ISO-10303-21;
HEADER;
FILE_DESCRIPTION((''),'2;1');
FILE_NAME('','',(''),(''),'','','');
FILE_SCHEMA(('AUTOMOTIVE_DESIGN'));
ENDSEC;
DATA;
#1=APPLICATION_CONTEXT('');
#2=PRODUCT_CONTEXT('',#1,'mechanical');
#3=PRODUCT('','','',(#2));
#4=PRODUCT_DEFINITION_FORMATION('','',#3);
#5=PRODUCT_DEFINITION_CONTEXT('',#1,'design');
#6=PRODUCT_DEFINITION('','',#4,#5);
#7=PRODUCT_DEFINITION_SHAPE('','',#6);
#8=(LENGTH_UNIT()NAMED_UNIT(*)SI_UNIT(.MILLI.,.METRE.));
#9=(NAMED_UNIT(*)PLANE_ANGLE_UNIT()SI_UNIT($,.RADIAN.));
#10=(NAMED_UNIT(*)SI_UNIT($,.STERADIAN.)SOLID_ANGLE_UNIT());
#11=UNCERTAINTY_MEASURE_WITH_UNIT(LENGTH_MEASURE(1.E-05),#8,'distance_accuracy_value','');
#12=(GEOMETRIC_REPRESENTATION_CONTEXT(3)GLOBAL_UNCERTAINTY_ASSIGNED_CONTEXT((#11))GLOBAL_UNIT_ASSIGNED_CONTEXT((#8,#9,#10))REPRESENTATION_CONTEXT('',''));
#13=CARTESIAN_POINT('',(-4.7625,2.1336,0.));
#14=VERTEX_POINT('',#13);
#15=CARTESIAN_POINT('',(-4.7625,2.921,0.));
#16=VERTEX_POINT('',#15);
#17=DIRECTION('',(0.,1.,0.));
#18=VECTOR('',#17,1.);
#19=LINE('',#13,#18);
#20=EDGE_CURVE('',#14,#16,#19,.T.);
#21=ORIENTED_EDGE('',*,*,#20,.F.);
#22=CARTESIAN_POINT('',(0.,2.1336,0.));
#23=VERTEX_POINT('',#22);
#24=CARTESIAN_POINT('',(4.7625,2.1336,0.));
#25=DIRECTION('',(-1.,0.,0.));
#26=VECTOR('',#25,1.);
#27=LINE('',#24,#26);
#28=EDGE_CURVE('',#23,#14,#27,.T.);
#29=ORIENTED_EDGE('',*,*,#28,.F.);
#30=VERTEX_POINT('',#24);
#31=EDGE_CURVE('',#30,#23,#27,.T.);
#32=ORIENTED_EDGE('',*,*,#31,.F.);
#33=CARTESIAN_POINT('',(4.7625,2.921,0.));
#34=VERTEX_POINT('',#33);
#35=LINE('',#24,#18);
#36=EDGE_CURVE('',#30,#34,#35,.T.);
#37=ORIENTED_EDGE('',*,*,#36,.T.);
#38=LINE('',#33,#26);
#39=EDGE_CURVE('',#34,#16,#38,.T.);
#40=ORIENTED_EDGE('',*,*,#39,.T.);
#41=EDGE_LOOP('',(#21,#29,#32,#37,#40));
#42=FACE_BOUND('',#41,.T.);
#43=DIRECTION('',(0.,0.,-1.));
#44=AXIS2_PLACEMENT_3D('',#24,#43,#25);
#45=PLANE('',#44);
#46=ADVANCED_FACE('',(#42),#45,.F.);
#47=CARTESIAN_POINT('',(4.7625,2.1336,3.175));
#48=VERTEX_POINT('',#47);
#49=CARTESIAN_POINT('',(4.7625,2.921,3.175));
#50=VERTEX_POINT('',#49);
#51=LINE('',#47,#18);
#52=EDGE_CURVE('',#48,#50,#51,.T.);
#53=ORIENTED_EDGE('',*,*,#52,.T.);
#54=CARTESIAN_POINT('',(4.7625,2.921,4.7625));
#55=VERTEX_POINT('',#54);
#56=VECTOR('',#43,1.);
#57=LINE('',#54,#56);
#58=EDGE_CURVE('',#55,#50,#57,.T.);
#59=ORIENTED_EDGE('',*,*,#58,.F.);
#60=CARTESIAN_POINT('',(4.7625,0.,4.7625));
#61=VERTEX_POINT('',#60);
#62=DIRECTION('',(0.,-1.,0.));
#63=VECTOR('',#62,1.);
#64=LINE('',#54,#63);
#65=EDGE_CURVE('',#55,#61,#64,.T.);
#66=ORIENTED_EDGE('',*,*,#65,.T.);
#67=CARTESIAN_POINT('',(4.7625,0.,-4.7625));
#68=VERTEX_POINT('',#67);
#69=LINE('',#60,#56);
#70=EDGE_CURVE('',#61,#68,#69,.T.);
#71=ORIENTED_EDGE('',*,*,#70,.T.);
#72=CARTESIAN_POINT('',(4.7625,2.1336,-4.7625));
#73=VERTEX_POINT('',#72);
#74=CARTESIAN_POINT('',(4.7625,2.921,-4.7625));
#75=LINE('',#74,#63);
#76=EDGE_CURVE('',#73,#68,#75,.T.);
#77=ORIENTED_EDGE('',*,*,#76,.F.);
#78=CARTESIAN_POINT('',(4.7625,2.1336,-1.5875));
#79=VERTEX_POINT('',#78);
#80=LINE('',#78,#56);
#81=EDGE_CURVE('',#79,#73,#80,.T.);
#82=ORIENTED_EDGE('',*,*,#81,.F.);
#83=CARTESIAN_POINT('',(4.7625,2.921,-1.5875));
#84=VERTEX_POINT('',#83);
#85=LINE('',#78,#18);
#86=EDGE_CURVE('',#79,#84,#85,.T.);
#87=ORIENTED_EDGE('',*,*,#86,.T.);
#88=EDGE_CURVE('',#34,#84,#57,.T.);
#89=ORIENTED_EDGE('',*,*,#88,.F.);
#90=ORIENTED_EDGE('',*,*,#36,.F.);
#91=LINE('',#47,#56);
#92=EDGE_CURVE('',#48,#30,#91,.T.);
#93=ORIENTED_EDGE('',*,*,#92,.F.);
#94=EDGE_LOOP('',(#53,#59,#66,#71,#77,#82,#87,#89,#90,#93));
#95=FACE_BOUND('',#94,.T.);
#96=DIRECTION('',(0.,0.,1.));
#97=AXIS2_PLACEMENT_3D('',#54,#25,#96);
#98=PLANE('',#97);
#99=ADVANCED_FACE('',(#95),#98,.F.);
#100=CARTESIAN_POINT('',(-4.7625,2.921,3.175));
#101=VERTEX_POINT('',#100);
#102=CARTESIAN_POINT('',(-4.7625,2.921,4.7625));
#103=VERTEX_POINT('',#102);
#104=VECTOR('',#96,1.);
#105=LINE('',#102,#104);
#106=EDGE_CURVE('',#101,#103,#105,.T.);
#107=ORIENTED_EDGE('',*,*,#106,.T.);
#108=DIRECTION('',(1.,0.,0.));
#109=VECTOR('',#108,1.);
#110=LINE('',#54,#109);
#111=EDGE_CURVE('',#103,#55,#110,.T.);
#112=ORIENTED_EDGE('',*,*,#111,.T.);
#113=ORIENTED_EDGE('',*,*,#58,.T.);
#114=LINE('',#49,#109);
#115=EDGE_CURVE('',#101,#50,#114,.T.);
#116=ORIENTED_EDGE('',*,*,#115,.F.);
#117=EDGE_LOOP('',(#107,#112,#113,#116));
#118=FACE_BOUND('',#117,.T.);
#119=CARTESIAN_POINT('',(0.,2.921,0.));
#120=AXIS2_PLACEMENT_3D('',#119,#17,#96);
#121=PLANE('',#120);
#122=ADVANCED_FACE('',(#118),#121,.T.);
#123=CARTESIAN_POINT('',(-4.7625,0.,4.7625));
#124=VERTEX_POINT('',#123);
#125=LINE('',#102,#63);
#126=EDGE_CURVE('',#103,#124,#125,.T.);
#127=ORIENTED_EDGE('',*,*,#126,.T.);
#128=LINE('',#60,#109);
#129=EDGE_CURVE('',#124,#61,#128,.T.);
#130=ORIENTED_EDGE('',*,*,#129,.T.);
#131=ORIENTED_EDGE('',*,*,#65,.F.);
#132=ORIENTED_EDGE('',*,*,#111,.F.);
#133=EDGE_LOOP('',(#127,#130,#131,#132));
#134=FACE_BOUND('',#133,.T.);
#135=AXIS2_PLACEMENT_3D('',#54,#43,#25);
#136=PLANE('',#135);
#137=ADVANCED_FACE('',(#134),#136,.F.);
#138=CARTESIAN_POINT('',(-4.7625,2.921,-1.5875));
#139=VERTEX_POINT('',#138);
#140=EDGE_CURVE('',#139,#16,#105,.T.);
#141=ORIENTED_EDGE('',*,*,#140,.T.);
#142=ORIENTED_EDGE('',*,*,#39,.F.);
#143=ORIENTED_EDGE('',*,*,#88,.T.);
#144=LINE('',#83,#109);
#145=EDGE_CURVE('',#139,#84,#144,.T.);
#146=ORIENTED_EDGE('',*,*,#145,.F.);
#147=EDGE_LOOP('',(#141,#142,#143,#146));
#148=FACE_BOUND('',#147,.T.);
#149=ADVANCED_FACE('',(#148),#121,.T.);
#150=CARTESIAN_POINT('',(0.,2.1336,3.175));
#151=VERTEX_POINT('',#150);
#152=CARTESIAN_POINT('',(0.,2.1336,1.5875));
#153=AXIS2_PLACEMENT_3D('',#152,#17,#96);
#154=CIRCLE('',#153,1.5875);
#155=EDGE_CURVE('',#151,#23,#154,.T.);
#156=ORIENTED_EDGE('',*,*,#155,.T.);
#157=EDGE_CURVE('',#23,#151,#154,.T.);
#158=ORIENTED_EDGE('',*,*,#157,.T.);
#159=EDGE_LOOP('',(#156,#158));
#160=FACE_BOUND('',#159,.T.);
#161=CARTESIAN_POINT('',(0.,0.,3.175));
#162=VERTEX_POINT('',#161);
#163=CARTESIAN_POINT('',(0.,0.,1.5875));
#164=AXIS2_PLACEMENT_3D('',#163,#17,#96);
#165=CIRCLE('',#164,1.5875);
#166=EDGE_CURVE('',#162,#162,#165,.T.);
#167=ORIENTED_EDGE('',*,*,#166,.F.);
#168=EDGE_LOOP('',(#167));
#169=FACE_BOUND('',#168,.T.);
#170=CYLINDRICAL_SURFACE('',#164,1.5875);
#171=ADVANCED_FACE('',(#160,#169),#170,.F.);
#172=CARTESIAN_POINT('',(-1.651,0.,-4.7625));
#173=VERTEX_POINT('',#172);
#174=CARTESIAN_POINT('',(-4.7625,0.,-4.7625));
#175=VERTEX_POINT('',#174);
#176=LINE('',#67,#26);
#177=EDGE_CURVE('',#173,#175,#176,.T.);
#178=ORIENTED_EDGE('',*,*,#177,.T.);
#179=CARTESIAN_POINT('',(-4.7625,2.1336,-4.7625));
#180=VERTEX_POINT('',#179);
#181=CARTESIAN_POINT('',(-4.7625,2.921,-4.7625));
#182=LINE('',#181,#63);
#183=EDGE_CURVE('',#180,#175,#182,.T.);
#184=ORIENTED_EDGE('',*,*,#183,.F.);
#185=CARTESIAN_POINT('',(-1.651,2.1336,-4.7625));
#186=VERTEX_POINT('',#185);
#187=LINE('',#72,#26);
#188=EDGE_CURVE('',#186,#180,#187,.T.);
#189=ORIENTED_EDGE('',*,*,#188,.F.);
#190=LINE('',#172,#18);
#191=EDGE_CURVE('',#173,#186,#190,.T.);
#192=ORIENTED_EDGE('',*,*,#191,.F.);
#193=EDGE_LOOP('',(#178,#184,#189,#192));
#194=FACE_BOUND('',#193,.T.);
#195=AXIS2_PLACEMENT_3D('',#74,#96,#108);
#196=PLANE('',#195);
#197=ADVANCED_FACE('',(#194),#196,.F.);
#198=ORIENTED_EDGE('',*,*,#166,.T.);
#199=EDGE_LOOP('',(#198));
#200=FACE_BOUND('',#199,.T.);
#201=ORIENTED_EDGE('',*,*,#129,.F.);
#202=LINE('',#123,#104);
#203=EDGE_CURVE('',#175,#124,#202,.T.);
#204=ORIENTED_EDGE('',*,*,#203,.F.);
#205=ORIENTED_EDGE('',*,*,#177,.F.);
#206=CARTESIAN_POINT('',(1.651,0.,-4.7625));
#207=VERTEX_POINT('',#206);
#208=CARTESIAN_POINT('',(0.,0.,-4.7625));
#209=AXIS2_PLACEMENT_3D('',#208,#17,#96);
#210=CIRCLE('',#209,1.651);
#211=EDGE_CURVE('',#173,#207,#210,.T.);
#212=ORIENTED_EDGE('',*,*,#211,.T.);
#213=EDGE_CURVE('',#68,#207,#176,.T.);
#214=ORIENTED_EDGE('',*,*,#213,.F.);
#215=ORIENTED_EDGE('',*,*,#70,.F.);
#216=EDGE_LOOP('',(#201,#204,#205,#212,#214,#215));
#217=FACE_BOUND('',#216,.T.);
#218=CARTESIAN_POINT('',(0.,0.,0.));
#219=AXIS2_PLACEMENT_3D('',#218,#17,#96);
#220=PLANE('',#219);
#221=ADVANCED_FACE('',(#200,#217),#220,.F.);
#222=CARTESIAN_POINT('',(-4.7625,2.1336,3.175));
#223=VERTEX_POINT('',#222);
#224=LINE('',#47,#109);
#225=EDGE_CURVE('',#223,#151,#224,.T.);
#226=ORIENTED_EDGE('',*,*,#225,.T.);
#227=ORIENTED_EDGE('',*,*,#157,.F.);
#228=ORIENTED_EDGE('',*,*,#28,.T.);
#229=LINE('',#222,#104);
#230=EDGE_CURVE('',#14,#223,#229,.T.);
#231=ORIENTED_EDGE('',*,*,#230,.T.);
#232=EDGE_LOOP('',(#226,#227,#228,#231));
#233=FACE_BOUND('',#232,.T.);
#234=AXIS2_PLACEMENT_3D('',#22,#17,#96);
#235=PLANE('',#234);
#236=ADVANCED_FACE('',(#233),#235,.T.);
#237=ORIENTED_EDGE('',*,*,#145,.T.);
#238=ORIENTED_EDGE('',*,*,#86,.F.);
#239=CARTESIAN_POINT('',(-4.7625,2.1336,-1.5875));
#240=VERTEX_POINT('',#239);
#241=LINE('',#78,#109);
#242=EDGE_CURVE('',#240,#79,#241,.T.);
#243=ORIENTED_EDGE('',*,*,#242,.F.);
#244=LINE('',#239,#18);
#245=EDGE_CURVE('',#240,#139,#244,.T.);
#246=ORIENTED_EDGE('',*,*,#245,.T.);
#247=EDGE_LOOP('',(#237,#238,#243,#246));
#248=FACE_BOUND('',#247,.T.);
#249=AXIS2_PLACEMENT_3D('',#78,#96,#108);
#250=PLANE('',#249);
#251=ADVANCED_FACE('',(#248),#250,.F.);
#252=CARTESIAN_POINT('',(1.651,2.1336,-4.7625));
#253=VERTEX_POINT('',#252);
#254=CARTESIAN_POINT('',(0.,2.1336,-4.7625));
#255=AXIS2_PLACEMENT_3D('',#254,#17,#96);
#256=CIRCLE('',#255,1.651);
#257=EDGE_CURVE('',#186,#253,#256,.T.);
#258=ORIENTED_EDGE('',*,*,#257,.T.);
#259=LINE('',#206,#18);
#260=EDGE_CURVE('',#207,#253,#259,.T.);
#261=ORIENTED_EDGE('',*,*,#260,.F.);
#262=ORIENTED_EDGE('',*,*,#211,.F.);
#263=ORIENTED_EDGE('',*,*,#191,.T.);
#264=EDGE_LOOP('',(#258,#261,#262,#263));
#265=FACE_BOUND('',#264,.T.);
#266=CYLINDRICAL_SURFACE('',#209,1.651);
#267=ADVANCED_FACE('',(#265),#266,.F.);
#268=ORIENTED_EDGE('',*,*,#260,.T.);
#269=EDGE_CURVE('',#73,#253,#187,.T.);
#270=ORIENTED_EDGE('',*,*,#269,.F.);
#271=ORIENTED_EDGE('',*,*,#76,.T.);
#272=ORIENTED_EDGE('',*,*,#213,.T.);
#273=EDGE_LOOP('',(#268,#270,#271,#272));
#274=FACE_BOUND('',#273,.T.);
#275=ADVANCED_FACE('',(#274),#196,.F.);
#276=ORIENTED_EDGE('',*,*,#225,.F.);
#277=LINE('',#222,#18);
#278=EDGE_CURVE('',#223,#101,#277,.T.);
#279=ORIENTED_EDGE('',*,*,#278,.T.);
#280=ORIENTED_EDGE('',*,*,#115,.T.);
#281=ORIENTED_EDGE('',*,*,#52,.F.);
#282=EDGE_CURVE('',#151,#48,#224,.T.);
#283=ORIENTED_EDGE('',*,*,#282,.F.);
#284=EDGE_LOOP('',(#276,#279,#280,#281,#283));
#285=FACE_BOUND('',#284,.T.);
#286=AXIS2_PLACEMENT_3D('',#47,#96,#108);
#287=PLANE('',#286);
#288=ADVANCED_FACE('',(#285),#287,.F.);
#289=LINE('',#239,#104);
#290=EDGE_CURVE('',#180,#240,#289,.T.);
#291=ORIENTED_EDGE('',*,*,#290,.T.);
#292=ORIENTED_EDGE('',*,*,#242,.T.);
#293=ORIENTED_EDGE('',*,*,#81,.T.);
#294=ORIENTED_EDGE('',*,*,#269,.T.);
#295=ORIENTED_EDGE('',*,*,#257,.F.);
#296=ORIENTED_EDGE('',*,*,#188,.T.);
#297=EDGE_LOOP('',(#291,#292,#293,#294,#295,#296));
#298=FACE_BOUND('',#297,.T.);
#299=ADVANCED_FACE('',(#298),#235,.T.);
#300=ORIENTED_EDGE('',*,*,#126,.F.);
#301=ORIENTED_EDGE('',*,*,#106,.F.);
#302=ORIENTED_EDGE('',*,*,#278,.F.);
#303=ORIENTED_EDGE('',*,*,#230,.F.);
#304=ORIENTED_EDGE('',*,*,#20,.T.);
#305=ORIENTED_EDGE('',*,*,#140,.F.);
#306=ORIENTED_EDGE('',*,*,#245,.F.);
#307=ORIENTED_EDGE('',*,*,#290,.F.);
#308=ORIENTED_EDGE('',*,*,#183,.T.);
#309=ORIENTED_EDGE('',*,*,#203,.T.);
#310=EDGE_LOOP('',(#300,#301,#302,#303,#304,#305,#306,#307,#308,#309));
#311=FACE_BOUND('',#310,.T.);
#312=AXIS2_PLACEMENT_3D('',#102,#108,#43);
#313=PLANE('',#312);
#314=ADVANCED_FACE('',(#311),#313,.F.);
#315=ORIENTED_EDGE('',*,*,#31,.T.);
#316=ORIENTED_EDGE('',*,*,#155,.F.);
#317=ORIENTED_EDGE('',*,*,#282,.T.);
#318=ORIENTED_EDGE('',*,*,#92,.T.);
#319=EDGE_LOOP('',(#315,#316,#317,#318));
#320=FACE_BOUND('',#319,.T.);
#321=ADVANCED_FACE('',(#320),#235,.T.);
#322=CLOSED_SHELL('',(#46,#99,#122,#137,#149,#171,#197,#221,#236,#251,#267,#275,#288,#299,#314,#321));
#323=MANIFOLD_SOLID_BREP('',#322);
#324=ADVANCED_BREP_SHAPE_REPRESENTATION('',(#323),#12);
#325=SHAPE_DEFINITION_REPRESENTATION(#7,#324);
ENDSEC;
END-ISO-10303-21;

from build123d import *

# Parameters (mm, degrees)
SKETCH1_W           = 9.525
SKETCH1_H           = 9.525
BOSS_EXTRUDE1_DEPTH = 2.921
SKETCH2_W           = 9.525
SKETCH2_H           = 3.175
CUT_EXTRUDE1_DEPTH  = 0.7874
SKETCH3_R           = 1.5875
CUT_EXTRUDE2_DEPTH  = 8.065059197


with BuildPart() as part:
    # Sketch1 → Boss-Extrude1 (new body)
    with BuildSketch(Plane(origin=(0, 0, 0), x_dir=(1, 0, 0), z_dir=(0, 1, 0))):
        Rectangle(SKETCH1_W, SKETCH1_H)
    extrude(amount=BOSS_EXTRUDE1_DEPTH)

    # Sketch2 → Cut-Extrude1 (cut)
    with BuildSketch(Plane(origin=(0, 2.921, 0), x_dir=(1, 0, 0), z_dir=(0, 1, 0))):
        with Locations((0, -1.5875)):
            Rectangle(SKETCH2_W, SKETCH2_H)
        with Locations((0, 3.175)):
            Rectangle(SKETCH2_W, SKETCH2_H)
    extrude(amount=-CUT_EXTRUDE1_DEPTH, mode=Mode.SUBTRACT)

    # Sketch3 → Cut-Extrude2 (cut, through all)
    with BuildSketch(Plane(origin=(0, 2.1336, 0), x_dir=(1, 0, 0), z_dir=(0, 1, 0))):
        with Locations(Location((0, -1.5875, 0), (0, 0, 270))):
            Circle(SKETCH3_R)
        with BuildLine():
            Line((-1.651, 4.7625), (1.651, 4.7625))
            ThreePointArc((1.651, 4.7625), (0, 3.1115), (-1.651, 4.7625))
        make_face()
    extrude(amount=-CUT_EXTRUDE2_DEPTH, mode=Mode.SUBTRACT)


solid = part.part
